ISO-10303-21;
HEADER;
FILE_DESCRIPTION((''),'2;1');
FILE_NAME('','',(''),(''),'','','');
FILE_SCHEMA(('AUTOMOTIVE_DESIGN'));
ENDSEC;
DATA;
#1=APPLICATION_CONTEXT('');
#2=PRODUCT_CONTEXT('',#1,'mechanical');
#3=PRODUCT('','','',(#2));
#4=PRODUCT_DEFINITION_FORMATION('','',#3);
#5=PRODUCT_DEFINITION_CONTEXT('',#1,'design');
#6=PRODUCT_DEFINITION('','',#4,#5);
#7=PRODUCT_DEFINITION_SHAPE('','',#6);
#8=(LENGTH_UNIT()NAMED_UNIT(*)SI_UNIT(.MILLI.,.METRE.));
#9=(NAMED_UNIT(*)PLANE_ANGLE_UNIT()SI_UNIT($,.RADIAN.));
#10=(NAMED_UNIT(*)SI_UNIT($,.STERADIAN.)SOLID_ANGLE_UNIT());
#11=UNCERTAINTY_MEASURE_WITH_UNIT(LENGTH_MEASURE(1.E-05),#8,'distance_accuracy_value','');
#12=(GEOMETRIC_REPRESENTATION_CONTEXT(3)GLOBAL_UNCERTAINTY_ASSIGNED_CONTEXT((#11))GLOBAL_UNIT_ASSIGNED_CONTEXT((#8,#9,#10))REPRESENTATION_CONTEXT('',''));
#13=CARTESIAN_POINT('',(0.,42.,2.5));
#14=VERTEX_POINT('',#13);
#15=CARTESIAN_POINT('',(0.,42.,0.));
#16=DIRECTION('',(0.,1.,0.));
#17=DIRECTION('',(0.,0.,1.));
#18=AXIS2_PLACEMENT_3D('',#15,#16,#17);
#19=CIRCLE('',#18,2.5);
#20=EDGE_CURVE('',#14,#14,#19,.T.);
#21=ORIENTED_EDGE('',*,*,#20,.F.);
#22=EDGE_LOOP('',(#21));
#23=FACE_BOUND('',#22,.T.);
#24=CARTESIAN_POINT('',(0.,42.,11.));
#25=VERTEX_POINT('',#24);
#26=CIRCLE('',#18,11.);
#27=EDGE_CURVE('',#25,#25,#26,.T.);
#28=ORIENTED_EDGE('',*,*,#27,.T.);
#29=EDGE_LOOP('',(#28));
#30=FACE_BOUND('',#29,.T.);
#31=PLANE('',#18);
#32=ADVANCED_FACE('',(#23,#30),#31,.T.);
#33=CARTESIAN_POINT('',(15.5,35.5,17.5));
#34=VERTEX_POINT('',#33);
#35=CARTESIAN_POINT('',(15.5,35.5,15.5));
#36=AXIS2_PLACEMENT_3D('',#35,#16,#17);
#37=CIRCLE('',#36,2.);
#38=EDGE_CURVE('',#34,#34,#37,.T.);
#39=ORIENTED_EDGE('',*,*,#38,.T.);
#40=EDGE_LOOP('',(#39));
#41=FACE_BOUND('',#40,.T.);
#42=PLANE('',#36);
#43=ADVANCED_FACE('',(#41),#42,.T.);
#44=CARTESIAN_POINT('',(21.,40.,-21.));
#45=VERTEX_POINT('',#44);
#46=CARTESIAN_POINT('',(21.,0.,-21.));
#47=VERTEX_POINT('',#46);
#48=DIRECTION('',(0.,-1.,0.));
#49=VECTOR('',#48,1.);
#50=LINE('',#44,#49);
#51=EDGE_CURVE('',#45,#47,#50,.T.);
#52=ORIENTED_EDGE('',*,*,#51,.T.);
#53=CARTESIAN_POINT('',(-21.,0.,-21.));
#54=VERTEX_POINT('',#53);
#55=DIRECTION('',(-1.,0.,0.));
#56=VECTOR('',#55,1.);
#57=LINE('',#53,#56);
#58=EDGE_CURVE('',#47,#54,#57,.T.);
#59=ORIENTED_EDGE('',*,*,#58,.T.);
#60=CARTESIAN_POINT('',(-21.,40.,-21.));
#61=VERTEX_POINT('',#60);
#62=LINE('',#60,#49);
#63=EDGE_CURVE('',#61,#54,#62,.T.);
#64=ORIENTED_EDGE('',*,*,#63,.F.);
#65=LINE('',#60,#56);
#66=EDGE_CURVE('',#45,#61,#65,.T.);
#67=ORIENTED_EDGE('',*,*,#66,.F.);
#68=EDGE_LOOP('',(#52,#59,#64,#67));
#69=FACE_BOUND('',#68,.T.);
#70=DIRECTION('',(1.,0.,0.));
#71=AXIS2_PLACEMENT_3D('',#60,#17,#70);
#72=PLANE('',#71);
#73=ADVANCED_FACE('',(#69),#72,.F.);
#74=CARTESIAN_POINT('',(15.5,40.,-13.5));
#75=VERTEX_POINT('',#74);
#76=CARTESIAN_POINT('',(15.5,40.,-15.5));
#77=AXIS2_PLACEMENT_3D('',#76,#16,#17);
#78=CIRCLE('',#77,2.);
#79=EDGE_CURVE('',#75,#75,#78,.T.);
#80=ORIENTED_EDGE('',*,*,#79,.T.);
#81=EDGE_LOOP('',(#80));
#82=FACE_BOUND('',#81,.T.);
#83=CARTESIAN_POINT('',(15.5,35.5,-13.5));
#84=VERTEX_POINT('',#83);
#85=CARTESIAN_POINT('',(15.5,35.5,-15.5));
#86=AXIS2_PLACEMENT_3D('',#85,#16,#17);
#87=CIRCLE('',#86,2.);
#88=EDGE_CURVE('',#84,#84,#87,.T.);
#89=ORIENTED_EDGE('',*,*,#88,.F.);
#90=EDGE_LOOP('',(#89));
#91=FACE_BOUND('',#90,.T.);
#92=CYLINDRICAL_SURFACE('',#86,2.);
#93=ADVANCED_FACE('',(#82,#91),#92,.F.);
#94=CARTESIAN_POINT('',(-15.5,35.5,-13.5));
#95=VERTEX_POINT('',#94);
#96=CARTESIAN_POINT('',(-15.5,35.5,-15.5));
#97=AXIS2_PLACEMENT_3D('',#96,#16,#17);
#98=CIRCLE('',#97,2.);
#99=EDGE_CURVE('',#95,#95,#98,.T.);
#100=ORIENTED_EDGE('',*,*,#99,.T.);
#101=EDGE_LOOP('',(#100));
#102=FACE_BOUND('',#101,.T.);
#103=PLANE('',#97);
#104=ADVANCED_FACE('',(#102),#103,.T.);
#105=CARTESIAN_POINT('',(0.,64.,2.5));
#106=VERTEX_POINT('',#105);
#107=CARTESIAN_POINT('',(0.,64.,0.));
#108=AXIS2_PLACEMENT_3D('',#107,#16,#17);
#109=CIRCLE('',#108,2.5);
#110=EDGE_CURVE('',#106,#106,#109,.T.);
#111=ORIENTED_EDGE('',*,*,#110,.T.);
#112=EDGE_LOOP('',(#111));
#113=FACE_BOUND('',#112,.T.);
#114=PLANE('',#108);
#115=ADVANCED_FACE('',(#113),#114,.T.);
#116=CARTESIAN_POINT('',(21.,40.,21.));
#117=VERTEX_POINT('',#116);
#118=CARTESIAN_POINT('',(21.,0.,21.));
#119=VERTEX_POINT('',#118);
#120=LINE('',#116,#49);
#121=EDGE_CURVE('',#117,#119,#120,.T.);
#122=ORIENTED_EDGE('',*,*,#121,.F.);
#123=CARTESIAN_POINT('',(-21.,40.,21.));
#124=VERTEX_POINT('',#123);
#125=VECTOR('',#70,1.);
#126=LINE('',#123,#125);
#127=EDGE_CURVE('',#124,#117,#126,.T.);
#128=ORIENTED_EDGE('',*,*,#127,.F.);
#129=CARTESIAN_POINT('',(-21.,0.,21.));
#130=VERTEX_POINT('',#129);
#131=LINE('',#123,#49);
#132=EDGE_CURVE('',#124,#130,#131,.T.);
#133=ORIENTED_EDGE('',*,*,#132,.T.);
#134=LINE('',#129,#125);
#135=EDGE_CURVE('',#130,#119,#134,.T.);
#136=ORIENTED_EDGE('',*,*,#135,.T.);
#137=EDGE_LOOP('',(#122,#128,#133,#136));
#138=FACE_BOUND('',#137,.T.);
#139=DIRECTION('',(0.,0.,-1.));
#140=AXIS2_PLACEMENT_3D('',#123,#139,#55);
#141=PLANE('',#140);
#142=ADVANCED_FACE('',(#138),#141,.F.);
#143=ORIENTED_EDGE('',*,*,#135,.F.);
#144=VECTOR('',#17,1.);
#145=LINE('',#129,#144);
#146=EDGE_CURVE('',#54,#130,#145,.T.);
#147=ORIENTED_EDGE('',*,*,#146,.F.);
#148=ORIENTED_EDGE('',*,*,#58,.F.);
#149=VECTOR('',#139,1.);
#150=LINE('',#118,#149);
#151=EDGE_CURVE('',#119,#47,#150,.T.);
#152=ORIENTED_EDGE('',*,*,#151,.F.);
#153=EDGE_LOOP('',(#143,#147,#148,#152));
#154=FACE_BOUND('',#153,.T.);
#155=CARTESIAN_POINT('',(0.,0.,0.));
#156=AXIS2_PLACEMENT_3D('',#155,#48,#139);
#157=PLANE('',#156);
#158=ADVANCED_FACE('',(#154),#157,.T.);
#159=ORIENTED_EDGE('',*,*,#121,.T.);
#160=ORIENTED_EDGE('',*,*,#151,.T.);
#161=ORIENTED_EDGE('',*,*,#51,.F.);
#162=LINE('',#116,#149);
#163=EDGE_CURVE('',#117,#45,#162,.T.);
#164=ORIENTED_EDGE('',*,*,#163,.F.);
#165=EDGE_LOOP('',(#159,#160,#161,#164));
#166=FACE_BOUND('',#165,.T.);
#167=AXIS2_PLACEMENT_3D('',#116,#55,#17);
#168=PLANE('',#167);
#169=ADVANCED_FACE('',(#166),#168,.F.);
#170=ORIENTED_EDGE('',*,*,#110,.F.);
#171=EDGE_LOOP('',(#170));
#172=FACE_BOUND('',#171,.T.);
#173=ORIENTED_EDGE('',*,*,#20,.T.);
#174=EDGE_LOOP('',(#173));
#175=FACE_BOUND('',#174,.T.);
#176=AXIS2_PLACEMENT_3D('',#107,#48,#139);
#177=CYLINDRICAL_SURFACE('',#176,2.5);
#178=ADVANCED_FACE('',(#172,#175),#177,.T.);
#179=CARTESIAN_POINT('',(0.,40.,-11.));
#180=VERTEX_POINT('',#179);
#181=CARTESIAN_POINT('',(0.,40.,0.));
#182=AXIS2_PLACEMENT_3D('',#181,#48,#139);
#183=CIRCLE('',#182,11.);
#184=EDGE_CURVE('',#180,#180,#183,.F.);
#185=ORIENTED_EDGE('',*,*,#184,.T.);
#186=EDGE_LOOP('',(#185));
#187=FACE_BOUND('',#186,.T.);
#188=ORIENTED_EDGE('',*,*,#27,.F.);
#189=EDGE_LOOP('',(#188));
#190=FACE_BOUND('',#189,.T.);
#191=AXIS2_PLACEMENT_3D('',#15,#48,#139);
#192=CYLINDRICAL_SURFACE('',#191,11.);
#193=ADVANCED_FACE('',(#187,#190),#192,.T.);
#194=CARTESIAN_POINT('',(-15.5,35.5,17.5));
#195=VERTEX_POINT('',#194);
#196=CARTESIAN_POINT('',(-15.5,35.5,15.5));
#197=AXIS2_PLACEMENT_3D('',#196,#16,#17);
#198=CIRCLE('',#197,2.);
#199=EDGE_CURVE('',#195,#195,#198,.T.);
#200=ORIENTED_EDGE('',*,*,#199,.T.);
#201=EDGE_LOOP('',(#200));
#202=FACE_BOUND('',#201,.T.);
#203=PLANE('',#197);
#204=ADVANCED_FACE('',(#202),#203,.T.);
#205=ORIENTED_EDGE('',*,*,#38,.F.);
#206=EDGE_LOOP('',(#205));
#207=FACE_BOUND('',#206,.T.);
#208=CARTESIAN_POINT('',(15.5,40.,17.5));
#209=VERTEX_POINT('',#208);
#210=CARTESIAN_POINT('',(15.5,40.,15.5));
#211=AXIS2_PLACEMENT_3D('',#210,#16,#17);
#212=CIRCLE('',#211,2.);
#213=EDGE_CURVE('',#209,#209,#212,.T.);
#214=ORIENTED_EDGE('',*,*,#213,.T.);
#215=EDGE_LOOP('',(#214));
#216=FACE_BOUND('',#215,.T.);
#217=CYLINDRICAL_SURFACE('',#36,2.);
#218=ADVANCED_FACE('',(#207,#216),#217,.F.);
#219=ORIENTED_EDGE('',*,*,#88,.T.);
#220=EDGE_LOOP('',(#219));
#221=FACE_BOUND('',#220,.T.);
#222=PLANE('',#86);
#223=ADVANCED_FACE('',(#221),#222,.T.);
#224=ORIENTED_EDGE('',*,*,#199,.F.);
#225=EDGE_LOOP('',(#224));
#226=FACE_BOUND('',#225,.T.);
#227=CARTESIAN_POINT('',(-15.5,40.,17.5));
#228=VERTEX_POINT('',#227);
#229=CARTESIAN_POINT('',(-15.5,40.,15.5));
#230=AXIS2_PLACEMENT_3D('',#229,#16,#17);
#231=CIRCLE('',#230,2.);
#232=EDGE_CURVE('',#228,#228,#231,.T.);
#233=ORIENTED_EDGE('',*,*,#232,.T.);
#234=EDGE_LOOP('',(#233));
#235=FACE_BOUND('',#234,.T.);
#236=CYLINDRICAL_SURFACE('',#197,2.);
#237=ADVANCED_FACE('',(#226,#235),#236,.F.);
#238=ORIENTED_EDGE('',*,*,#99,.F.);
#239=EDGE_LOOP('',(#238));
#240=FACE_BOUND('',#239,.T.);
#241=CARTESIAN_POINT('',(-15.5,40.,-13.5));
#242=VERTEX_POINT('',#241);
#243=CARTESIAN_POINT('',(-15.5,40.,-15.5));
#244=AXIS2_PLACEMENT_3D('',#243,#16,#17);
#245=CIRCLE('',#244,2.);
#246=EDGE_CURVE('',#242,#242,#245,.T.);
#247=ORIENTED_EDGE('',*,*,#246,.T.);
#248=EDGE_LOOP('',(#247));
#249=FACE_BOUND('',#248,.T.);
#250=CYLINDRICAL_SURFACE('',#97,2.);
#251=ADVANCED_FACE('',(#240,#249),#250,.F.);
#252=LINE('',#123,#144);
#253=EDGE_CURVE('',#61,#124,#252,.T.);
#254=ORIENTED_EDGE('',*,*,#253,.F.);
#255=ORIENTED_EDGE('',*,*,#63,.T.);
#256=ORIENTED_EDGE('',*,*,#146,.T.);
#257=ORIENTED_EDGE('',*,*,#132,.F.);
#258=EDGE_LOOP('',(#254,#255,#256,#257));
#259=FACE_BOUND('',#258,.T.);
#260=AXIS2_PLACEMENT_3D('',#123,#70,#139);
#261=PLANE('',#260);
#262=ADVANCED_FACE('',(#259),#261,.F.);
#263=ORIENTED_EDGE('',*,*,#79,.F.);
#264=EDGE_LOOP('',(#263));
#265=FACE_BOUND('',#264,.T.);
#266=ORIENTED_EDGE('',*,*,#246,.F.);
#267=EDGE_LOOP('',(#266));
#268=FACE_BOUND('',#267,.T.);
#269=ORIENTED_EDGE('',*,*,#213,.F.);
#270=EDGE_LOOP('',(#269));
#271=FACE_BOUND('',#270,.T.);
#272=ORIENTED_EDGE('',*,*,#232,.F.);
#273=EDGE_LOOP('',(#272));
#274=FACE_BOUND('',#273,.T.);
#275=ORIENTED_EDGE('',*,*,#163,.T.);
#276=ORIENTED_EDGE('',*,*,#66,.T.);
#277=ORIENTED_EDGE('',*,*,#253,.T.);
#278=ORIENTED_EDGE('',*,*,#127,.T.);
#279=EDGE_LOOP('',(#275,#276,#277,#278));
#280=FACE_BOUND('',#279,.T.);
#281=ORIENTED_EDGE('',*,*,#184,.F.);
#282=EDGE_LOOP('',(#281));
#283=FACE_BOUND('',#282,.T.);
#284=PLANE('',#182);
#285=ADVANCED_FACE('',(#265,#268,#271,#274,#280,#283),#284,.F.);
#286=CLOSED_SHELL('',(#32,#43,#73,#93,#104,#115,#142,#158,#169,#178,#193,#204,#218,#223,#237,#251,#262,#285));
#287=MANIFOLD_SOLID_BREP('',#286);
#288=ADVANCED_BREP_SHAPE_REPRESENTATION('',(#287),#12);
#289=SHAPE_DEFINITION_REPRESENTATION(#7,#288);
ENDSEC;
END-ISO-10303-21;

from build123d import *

# Parameters (mm, degrees)
SKETCH1_W           = 42
SKETCH1_H           = 42
BOSS_EXTRUDE1_DEPTH = 40
SKETCH4_R           = 2
CUT_EXTRUDE1_DEPTH  = 4.5
SKETCH2_R           = 11
BOSS_EXTRUDE2_DEPTH = 2
SKETCH3_R           = 2.5
BOSS_EXTRUDE3_DEPTH = 22


with BuildPart() as part:
    # Sketch1 → Boss-Extrude1 (new body)
    with BuildSketch(Plane(origin=(0, 0, 0), x_dir=(1, 0, 0), z_dir=(0, 1, 0))):
        Rectangle(SKETCH1_W, SKETCH1_H)
    extrude(amount=BOSS_EXTRUDE1_DEPTH)

    # Sketch4 → Cut-Extrude1 (cut)
    with BuildSketch(Plane(origin=(0, 40, 0), x_dir=(1, 0, 0), z_dir=(0, 1, 0))):
        with Locations(Location((-15.5, 15.5, 0), (0, 0, 270))):
            Circle(SKETCH4_R)
        with Locations(Location((15.5, 15.5, 0), (0, 0, 270))):
            Circle(SKETCH4_R)
        with Locations(Location((-15.5, -15.5, 0), (0, 0, 270))):
            Circle(SKETCH4_R)
        with Locations(Location((15.5, -15.5, 0), (0, 0, 270))):
            Circle(SKETCH4_R)
    extrude(amount=-CUT_EXTRUDE1_DEPTH, mode=Mode.SUBTRACT)

    # Sketch2 → Boss-Extrude2 (add)
    with BuildSketch(Plane(origin=(0, 40, 0), x_dir=(1, 0, 0), z_dir=(0, 1, 0))):
        with Locations(Location((0, 0, 0), (0, 0, 90))):
            Circle(SKETCH2_R)
    extrude(amount=BOSS_EXTRUDE2_DEPTH)

    # Sketch3 → Boss-Extrude3 (add)
    with BuildSketch(Plane(origin=(0, 42, 0), x_dir=(1, 0, 0), z_dir=(0, 1, 0))):
        with Locations(Location((0, 0, 0), (0, 0, 270))):
            Circle(SKETCH3_R)
    extrude(amount=BOSS_EXTRUDE3_DEPTH)


solid = part.part
